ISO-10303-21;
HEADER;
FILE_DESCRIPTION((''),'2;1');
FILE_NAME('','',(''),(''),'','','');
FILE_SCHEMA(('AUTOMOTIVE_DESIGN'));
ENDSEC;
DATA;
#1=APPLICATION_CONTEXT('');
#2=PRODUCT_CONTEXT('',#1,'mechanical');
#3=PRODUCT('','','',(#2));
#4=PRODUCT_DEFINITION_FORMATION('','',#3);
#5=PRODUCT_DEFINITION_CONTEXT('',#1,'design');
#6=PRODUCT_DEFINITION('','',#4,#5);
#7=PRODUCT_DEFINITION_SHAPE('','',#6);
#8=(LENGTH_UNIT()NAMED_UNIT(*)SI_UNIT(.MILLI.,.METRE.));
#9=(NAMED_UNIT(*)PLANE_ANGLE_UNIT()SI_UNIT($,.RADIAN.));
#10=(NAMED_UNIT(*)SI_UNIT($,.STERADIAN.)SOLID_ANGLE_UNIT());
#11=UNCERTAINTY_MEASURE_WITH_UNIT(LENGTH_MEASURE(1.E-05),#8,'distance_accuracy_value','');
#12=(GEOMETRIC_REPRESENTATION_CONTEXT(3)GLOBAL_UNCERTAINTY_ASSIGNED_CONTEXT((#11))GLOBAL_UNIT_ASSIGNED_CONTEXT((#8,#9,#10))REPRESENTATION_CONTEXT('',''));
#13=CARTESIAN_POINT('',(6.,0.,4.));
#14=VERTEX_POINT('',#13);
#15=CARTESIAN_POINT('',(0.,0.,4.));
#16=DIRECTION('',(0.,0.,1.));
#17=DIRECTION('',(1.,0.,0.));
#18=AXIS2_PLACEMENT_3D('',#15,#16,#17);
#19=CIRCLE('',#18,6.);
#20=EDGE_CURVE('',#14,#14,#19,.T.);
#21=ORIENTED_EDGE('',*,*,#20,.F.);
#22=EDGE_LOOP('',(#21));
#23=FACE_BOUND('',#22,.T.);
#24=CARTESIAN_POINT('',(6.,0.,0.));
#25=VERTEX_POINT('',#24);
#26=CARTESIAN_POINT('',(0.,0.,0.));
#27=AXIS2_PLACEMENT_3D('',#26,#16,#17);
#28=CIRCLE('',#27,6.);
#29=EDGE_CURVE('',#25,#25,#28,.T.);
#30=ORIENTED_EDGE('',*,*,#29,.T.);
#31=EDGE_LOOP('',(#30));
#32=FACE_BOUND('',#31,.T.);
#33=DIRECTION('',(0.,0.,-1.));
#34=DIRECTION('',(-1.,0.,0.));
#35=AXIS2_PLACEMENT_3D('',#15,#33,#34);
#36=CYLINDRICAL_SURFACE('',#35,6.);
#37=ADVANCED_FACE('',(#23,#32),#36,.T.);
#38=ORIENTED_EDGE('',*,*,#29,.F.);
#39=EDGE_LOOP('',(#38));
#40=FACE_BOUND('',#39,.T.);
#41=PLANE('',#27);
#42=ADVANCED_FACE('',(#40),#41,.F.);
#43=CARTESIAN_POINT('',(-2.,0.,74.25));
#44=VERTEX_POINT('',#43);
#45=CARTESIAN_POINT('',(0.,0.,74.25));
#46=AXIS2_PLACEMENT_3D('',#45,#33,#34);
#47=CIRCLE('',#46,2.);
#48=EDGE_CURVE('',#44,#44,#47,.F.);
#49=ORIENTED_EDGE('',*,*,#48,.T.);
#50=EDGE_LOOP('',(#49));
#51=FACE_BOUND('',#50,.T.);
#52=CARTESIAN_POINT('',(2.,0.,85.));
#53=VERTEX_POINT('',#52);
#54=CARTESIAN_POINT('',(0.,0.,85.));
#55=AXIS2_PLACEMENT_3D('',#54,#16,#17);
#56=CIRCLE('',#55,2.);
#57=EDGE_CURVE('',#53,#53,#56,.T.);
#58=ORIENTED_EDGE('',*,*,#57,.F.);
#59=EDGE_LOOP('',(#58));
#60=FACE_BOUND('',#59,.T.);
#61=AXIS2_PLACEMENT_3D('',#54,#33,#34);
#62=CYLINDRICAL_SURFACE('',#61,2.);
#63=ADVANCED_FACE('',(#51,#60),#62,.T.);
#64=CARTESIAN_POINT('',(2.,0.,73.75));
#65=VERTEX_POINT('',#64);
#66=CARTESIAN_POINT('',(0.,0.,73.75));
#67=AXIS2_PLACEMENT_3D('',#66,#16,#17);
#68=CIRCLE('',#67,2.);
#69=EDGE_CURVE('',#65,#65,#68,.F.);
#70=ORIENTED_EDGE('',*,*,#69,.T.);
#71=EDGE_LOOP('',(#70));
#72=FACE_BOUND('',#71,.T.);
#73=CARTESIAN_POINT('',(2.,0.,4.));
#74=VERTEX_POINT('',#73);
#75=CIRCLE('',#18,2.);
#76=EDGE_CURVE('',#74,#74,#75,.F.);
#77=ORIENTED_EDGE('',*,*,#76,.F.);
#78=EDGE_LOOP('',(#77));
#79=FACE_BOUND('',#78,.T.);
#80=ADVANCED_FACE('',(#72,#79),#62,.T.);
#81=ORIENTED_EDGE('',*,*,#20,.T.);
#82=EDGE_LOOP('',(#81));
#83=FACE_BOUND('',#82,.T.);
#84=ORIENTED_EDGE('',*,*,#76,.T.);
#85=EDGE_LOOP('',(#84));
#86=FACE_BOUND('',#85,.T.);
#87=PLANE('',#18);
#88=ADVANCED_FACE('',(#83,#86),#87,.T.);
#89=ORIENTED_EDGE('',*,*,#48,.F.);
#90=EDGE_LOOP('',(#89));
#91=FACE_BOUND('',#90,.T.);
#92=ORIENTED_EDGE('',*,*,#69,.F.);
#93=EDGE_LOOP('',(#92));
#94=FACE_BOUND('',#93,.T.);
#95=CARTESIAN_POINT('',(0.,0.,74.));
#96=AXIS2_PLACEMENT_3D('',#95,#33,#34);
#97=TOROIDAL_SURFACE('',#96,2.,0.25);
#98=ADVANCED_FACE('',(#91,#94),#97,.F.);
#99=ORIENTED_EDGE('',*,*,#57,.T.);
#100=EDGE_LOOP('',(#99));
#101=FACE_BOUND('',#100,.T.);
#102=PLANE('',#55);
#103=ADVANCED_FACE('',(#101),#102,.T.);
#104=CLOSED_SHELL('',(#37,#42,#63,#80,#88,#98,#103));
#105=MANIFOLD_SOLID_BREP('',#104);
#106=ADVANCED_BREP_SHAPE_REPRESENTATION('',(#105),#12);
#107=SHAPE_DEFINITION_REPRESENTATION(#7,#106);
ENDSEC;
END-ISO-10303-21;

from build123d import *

# Parameters (mm, degrees)
SKETCH1_R           = 6
BOSS_EXTRUDE1_DEPTH = 4
SKETCH2_R           = 2
BOSS_EXTRUDE2_DEPTH = 85
SKETCH3_R           = 0.25


with BuildPart() as part:
    # Sketch1 → Boss-Extrude1 (new body)
    with BuildSketch(Plane.XY):
        Circle(SKETCH1_R)
    extrude(amount=BOSS_EXTRUDE1_DEPTH)

    # Sketch2 → Boss-Extrude2 (add)
    with BuildSketch(Plane.XY):
        Circle(SKETCH2_R)
    extrude(amount=BOSS_EXTRUDE2_DEPTH)

    # Sketch3 → Cut-Revolve1 (revolve, cut)
    with BuildSketch(Plane(origin=(0, 0, 0), x_dir=(0, 0, -1), z_dir=(1, 0, 0))):
        with Locations((-74, 2)):
            Circle(SKETCH3_R)
    revolve(axis=Axis((0, 0, 0), (0, 0, 1)), mode=Mode.SUBTRACT)


solid = part.part
